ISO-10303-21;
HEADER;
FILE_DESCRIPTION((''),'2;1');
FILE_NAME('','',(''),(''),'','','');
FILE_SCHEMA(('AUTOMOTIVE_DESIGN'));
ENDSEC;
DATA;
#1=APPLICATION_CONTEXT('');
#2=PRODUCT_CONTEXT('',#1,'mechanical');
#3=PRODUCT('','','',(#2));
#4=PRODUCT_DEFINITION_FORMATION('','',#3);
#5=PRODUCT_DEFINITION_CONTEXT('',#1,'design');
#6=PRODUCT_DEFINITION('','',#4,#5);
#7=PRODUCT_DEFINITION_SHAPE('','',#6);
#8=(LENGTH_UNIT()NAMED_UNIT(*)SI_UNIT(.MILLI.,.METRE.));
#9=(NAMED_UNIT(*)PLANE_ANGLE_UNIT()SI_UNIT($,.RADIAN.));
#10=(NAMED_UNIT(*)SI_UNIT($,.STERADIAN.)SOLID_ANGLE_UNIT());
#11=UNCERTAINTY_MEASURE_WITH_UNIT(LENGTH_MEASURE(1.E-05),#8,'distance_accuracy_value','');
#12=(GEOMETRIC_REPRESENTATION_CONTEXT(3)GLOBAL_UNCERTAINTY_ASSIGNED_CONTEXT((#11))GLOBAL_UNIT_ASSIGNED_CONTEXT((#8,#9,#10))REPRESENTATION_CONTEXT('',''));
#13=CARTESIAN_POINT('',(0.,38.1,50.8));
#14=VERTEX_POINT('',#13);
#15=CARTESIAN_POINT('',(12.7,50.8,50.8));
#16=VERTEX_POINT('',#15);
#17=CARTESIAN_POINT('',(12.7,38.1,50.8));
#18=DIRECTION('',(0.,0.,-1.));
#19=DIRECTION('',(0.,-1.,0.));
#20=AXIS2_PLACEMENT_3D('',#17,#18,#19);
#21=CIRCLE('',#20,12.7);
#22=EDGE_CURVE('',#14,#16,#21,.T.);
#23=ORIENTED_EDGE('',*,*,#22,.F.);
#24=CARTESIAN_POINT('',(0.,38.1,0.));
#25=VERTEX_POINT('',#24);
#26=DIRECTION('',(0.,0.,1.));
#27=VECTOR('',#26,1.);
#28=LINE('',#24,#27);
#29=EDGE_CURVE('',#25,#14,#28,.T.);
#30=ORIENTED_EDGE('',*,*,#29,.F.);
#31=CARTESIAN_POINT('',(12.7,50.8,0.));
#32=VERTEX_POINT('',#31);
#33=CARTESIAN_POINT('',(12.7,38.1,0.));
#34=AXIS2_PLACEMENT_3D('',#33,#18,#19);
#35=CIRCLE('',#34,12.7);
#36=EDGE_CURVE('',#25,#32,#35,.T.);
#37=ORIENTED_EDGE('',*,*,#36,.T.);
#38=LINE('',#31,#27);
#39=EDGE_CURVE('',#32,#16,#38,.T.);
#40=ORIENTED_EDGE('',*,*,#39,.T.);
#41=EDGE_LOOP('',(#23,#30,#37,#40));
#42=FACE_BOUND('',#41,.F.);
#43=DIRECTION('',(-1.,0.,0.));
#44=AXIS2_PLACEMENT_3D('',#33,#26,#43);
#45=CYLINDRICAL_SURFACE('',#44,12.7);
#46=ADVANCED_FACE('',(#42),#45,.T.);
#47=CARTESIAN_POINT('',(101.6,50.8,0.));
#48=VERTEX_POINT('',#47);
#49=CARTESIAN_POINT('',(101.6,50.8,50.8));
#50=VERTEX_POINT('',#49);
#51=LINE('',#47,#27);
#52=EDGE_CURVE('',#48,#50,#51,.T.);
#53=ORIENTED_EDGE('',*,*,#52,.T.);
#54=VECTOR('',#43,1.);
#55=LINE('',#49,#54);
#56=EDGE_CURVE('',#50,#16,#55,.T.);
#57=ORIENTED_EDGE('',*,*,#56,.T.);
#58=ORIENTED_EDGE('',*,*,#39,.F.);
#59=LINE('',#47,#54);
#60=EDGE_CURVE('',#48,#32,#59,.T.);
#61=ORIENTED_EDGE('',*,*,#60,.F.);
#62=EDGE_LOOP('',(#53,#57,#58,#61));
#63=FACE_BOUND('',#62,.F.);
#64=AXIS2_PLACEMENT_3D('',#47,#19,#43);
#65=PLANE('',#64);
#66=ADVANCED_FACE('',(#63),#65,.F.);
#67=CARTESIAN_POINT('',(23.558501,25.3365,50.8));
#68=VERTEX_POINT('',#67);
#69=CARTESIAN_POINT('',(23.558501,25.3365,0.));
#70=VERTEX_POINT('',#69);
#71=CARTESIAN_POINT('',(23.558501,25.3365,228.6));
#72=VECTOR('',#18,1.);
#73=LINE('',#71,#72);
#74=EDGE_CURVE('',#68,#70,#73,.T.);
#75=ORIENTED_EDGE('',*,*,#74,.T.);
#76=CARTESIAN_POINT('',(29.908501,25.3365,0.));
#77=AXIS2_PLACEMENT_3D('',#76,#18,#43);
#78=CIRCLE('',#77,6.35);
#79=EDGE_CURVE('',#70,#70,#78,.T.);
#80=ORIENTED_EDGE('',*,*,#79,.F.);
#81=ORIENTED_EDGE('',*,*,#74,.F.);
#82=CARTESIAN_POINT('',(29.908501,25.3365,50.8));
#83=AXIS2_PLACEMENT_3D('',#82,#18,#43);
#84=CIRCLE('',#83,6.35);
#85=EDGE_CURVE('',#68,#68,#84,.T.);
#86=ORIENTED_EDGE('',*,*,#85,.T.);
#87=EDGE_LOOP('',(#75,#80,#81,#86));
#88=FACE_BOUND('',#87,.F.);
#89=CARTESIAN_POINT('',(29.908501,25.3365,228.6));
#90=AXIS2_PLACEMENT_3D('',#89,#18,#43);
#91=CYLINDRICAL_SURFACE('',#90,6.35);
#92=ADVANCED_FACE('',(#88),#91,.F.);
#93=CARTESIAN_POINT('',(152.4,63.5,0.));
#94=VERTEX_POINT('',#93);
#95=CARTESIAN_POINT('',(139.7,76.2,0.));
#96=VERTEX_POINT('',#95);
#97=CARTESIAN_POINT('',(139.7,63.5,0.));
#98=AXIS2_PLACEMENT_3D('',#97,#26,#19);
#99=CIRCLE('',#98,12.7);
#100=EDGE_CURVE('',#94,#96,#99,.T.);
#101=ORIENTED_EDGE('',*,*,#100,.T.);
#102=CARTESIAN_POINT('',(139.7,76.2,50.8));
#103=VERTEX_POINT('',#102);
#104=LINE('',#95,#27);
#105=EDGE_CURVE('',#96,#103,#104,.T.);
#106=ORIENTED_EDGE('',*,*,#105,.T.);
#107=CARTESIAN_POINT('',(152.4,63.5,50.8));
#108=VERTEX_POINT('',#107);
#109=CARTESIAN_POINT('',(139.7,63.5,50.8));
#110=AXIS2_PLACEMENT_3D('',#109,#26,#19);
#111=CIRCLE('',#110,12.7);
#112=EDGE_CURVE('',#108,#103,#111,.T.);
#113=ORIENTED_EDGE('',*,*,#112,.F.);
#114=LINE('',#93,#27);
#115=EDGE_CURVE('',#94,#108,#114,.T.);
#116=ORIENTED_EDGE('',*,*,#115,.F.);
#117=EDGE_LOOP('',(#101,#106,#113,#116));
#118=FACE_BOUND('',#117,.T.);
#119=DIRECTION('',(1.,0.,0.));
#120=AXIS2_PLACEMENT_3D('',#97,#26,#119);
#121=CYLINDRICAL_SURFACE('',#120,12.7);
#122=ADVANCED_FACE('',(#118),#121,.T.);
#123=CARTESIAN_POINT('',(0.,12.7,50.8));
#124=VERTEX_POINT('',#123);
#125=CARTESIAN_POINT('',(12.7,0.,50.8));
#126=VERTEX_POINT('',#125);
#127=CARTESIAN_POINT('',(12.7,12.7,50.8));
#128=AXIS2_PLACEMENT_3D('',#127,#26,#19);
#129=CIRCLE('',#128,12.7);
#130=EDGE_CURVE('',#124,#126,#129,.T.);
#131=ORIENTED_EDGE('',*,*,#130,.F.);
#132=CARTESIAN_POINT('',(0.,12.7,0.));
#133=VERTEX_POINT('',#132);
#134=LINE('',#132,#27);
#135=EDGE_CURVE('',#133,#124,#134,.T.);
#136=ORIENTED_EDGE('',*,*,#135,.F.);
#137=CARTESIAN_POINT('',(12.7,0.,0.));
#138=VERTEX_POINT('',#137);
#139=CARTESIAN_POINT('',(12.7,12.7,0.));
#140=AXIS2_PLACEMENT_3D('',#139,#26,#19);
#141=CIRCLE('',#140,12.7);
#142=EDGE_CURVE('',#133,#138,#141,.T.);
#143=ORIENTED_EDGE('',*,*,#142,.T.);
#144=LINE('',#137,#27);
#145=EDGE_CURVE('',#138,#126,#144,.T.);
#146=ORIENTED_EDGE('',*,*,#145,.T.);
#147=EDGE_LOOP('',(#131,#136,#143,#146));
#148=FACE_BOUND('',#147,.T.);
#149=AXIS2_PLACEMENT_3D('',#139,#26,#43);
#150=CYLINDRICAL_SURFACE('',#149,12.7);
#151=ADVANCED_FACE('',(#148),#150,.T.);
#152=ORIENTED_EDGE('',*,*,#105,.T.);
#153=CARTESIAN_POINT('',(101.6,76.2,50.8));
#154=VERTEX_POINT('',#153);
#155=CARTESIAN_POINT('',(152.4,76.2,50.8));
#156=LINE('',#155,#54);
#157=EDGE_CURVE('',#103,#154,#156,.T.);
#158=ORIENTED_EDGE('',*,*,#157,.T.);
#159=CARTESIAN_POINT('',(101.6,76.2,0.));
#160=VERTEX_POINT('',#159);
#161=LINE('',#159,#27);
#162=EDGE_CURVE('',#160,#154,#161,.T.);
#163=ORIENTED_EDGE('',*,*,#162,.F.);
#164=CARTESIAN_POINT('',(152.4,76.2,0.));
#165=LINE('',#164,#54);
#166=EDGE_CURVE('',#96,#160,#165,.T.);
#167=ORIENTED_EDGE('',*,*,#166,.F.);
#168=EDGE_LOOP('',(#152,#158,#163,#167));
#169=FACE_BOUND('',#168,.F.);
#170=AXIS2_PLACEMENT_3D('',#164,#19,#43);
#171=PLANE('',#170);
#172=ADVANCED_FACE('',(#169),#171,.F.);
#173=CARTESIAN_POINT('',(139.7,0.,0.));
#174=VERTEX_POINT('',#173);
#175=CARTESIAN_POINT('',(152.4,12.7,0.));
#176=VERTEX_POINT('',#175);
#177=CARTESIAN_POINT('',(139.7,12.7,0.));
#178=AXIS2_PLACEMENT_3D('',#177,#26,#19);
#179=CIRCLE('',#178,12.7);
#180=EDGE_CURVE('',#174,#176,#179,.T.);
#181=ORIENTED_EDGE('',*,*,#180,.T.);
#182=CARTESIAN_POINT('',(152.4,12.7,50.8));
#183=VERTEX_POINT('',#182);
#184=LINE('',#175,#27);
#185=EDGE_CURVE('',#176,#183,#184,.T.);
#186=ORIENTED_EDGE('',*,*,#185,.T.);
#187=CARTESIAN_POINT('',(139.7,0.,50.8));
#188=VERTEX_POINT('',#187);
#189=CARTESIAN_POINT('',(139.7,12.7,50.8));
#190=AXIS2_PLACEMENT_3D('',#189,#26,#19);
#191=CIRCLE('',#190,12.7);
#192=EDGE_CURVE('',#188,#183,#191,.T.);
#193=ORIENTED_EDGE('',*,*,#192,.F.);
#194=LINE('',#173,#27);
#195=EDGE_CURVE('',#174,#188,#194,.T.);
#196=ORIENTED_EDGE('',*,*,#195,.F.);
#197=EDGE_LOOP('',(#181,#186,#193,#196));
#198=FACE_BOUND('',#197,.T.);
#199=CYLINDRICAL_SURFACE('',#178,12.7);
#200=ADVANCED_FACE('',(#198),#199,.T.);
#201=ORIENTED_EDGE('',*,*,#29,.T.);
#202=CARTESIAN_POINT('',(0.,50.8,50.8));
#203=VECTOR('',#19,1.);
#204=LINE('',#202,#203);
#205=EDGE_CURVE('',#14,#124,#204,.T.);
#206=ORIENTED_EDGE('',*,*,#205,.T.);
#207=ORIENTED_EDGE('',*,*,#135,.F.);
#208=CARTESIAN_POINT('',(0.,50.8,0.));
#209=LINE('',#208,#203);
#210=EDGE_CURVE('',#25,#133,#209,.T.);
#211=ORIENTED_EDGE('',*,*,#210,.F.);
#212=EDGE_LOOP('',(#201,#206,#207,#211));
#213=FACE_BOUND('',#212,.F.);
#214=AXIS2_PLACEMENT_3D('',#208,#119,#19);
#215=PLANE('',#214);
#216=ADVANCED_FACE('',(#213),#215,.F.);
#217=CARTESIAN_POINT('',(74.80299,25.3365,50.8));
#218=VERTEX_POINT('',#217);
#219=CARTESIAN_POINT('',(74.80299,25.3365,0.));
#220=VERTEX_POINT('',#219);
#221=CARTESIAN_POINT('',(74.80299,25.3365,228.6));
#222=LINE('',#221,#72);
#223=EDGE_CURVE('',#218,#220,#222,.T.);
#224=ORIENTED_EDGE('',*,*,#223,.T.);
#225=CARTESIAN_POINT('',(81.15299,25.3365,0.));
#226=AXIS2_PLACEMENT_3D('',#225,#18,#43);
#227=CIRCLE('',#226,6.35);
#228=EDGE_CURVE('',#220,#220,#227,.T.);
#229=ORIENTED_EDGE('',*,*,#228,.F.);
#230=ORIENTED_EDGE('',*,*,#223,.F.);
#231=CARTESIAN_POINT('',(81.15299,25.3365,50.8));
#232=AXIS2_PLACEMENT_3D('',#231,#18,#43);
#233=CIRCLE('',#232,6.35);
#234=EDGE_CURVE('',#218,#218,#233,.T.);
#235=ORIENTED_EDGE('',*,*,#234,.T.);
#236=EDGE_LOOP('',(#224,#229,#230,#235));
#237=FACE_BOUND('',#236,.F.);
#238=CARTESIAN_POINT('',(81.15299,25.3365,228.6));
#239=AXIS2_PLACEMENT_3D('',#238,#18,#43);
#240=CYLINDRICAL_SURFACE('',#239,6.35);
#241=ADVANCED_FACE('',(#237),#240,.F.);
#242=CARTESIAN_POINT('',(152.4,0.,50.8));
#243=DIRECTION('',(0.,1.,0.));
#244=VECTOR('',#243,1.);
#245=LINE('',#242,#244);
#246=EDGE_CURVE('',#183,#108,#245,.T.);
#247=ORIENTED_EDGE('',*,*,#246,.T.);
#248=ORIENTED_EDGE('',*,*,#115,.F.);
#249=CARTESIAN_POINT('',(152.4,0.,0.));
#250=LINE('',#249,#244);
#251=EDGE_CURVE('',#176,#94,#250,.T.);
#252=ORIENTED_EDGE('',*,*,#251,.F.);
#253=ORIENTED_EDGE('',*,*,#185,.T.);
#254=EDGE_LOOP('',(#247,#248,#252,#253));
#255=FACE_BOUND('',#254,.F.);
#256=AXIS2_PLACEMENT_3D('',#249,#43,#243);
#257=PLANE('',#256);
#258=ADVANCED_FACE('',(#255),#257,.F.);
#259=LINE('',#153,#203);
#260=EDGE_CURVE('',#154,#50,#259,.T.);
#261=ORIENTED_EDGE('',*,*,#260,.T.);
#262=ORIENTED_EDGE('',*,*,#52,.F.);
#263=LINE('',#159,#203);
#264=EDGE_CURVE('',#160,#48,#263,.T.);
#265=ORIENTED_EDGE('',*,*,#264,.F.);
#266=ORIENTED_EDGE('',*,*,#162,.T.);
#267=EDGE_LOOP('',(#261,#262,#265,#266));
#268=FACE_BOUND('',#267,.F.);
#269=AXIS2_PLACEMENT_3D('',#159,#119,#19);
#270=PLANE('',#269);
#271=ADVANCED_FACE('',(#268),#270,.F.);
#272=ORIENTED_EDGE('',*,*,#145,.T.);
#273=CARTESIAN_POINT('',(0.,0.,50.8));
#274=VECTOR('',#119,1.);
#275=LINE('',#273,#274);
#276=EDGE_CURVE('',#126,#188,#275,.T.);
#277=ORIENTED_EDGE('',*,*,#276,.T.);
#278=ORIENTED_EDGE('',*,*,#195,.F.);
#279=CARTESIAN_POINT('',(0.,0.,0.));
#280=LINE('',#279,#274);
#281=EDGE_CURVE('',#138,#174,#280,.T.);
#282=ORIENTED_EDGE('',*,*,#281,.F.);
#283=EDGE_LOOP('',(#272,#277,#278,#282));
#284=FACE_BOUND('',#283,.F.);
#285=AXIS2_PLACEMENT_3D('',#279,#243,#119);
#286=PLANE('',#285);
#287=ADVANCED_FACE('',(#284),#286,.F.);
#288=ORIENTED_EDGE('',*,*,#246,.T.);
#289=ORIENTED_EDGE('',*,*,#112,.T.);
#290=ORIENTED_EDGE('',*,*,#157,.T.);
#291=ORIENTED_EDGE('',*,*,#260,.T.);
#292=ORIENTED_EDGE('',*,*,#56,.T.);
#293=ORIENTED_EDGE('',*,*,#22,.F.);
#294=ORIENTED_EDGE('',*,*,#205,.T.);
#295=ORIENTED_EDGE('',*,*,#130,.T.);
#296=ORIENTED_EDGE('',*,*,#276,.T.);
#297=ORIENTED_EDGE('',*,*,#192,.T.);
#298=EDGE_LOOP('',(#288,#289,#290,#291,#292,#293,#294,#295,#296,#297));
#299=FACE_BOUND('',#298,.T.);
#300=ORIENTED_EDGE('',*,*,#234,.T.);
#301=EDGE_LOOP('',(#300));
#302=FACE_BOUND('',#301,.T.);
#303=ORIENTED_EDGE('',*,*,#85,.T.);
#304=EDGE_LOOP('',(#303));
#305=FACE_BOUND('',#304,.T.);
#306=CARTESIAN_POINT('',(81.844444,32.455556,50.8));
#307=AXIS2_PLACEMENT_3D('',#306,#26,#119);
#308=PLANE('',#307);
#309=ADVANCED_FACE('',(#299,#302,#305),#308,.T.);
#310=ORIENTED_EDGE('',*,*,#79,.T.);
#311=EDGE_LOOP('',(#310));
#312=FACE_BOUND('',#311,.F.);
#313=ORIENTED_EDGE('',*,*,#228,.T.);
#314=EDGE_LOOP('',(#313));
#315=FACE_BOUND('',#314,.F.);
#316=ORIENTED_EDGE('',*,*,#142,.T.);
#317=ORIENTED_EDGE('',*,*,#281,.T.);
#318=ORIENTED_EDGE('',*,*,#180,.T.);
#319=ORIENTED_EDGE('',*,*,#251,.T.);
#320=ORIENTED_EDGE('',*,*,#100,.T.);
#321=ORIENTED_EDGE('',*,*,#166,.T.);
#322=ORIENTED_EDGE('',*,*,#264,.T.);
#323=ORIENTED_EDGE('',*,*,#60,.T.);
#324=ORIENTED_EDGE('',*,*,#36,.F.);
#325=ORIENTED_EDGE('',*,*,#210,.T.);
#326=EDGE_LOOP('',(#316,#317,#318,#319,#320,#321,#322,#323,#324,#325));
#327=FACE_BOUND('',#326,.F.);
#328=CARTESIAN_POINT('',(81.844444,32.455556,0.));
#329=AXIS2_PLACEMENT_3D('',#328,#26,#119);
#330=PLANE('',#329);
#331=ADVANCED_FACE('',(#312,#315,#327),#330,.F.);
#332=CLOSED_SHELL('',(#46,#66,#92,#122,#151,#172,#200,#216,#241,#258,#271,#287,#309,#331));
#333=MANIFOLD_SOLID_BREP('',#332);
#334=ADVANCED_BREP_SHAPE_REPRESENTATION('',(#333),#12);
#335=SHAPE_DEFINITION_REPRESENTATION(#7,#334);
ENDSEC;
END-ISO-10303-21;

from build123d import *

# Parameters (mm, degrees)
F1_DEPTH = 50.8
F2_R     = 12.7
F3_R     = 12.7
F4_R     = 12.7
F7_D     = 12.7


with BuildPart() as f1:
    # F0 (on Top) → F1 (new body)
    with BuildSketch(Plane.XY):
        Polygon((0, 50.8), (0, 0), (152.4, 0), (152.4, 76.2), (101.6, 76.2), (101.6, 50.8), align=None)
    extrude(amount=F1_DEPTH)

    # F2
    f2_edges = [f1.edges().sort_by_distance(p)[0] for p in [
        (152.4, 76.2, 25.4),
    ]]
    fillet(f2_edges, radius=F2_R)

    # F3
    f3_edges = [f1.edges().sort_by_distance(p)[0] for p in [
        (0, 50.8, 25.4),
    ]]
    fillet(f3_edges, radius=F3_R)

    # F4
    f4_edges = [f1.edges().sort_by_distance(p)[0] for p in [
        (0, 0, 25.4),
        (152.4, 0, 25.4),
    ]]
    fillet(f4_edges, radius=F4_R)

    # F7 (through all)
    with Locations(Plane.XY.offset(50.8)):
        with Locations((29.908501, 25.3365), (81.15299, 25.3365)):
            Hole(F7_D / 2)


solid = f1.part
